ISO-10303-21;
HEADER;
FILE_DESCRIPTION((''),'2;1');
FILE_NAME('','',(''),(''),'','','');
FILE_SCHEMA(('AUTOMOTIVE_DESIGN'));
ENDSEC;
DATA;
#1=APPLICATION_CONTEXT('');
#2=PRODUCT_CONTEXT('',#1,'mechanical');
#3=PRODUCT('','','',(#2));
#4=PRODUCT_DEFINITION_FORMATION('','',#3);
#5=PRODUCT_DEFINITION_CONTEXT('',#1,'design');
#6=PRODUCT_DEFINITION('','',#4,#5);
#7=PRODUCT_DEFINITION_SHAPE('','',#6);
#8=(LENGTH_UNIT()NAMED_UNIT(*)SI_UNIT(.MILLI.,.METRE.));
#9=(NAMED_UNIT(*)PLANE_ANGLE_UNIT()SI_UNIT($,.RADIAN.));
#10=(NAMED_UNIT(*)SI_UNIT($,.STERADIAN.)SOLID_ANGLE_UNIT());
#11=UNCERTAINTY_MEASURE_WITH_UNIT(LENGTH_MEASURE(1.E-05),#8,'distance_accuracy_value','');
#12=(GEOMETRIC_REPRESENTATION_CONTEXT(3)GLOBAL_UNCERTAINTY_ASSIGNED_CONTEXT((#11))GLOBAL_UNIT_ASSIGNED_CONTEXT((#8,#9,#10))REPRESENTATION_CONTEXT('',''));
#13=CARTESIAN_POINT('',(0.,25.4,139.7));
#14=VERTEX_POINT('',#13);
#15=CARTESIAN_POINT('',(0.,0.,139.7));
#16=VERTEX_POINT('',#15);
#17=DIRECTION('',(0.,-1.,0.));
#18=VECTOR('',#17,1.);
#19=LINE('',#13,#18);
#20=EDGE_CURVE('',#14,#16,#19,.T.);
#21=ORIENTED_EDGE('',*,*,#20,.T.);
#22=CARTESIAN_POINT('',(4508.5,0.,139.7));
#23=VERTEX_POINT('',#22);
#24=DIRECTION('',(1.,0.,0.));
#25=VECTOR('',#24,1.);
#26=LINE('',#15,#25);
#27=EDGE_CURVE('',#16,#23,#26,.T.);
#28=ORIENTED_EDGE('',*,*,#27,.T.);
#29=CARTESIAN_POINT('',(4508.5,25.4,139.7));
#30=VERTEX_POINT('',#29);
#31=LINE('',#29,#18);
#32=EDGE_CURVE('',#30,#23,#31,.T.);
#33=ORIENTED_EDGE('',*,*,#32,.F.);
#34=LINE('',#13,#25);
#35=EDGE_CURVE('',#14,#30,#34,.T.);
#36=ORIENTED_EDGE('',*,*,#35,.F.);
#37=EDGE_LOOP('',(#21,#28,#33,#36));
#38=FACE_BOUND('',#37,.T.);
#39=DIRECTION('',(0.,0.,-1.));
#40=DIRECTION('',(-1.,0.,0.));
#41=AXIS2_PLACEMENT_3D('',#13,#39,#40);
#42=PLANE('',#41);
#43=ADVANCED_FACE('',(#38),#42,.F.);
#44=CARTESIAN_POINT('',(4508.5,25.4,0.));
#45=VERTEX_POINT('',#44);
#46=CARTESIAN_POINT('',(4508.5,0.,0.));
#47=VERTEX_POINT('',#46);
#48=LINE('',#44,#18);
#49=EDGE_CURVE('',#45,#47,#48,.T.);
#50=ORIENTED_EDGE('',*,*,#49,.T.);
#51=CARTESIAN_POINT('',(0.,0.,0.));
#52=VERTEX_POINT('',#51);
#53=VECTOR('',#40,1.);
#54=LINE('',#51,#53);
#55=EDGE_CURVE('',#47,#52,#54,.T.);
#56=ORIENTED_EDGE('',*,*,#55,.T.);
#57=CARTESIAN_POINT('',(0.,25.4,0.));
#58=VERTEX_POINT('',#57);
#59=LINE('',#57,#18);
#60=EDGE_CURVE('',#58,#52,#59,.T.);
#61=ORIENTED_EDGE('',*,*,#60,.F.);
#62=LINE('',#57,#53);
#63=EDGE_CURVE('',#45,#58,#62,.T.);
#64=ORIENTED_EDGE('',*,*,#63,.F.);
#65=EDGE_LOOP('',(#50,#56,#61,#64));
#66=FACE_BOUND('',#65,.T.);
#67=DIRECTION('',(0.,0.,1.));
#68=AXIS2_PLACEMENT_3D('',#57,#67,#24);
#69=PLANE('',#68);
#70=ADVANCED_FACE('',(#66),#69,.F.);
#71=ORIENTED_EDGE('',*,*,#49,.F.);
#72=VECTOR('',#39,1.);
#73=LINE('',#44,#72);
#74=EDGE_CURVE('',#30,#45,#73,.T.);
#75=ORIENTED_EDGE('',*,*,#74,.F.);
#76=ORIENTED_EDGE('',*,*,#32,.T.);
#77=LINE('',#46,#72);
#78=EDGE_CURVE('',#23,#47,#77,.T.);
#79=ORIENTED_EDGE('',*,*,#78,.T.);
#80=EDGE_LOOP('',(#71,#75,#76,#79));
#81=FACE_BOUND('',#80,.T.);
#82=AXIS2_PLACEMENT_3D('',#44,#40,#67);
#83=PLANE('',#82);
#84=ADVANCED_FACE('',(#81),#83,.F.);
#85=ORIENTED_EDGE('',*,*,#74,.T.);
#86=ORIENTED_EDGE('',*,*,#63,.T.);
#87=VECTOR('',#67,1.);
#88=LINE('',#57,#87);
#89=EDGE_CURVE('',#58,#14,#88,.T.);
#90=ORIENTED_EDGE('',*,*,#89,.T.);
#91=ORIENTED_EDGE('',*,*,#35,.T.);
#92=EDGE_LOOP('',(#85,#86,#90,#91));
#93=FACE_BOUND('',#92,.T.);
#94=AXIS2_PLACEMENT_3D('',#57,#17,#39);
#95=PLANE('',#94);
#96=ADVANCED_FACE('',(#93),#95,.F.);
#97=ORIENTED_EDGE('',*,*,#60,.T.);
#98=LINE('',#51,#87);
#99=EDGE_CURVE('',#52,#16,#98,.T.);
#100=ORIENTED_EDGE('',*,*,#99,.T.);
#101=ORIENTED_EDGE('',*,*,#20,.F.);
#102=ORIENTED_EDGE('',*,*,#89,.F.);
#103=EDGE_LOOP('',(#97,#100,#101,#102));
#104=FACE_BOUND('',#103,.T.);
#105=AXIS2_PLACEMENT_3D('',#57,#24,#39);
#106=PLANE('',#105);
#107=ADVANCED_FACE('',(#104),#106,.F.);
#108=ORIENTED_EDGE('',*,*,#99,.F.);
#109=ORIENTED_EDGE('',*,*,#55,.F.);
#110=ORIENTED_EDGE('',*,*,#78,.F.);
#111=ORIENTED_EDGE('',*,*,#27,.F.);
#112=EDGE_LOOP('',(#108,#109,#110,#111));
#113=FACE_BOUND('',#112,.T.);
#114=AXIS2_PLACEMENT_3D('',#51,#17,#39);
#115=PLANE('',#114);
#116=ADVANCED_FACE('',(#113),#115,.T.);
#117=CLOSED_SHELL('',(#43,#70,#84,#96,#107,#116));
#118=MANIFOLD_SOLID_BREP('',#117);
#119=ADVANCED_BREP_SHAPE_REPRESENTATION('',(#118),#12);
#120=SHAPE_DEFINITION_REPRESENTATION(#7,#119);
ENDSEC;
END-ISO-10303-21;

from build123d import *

# Parameters (mm, degrees)
SKETCH1_W           = 4508.5
SKETCH1_H           = 139.7
BOSS_EXTRUDE1_DEPTH = 25.4


with BuildPart() as part:
    # Sketch1 → Boss-Extrude1 (new body)
    with BuildSketch(Plane(origin=(0, 0, 0), x_dir=(1, 0, 0), z_dir=(0, 1, 0))):
        with Locations((2254.25, -69.85)):
            Rectangle(SKETCH1_W, SKETCH1_H)
    extrude(amount=BOSS_EXTRUDE1_DEPTH)


solid = part.part
